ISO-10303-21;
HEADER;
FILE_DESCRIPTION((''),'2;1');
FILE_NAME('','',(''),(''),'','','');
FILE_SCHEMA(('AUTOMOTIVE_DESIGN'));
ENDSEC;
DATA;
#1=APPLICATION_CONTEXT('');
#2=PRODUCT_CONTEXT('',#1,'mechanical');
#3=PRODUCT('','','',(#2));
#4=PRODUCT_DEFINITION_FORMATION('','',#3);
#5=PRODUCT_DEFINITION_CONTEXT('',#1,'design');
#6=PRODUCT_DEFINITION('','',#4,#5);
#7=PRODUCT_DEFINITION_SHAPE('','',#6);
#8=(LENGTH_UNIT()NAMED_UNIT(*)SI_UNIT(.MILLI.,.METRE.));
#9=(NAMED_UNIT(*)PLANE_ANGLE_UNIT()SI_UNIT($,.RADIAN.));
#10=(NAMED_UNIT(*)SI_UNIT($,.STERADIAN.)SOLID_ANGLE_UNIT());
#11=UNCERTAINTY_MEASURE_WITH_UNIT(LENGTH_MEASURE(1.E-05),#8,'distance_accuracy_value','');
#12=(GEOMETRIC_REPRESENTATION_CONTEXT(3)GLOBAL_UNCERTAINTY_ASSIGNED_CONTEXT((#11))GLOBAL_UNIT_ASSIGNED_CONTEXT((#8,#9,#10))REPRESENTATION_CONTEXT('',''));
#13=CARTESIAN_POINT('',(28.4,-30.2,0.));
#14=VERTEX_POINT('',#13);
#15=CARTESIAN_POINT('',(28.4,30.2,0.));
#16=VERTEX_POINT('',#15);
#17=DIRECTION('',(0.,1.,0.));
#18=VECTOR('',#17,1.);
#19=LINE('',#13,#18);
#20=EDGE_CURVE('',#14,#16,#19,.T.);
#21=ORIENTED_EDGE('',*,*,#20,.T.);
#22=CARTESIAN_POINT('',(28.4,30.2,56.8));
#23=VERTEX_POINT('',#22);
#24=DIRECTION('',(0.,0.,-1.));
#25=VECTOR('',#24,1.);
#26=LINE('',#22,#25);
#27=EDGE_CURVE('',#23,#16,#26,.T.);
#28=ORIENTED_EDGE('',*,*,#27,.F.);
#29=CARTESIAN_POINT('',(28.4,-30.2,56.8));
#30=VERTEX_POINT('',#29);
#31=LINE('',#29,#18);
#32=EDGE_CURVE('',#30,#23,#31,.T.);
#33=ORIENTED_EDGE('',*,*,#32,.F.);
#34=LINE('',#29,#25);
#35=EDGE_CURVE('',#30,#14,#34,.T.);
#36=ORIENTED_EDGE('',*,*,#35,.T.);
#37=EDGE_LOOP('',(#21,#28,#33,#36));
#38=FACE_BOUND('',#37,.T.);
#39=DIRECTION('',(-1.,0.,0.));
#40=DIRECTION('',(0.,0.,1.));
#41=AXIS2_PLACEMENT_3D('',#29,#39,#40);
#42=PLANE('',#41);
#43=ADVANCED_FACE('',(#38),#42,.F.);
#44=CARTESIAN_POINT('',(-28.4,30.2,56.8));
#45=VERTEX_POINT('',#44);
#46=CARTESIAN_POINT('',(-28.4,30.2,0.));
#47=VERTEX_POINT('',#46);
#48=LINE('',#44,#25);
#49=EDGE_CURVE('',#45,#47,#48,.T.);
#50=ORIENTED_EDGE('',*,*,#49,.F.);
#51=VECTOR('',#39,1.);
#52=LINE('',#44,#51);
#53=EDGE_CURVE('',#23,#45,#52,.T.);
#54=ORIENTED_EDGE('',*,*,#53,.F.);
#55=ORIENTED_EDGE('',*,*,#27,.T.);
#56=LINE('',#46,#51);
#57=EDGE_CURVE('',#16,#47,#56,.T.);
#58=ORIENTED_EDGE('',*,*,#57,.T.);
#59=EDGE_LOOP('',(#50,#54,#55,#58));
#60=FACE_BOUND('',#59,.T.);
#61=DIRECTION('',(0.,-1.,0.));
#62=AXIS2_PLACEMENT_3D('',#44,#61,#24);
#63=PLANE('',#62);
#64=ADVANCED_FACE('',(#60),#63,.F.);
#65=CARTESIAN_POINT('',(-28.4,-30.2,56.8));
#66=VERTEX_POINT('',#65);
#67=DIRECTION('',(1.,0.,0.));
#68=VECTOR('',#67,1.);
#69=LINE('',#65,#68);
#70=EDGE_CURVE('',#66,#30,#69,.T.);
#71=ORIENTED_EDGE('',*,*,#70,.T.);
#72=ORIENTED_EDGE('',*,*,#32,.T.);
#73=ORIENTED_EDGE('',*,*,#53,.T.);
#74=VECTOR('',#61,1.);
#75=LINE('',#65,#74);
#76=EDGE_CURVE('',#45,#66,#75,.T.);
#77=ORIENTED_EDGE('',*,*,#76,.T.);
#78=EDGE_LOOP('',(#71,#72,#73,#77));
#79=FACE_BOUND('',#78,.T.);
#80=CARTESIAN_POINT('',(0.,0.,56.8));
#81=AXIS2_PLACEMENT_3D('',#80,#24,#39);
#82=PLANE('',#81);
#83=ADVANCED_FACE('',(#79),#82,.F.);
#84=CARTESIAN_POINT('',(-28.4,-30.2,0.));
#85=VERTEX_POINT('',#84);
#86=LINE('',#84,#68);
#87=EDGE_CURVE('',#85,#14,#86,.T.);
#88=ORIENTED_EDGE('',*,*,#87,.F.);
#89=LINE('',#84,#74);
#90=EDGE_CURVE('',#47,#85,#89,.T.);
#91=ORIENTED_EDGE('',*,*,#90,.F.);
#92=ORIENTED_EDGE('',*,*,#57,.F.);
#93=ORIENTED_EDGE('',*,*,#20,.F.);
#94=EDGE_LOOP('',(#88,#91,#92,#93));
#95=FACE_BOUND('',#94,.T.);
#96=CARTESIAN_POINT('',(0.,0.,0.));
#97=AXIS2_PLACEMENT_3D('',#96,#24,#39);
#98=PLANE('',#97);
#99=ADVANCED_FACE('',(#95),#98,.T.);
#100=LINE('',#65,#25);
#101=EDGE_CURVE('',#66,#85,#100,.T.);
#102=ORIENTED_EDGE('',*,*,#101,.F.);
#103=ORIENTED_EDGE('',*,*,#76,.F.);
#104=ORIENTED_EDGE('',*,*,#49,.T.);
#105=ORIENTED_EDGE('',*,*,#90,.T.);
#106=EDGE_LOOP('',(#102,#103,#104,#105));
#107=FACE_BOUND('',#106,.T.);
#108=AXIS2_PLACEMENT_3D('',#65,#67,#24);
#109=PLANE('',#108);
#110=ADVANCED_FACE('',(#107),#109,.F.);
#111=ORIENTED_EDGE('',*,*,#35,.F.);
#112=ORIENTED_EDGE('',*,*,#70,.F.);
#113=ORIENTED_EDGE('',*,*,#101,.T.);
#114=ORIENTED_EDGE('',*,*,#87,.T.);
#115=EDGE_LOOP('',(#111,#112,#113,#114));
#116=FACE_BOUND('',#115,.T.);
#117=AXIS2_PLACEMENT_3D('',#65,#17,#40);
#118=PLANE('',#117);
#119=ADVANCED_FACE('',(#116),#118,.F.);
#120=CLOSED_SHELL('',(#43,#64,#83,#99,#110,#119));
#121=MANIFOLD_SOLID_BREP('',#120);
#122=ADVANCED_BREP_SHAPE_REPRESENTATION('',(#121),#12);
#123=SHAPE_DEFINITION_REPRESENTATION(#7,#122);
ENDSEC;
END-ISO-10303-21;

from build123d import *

# Parameters (mm, degrees)
SKETCH1_W      = 56.8
SKETCH1_H      = 60.4
ENVELOPE_DEPTH = 56.8


with BuildPart() as part:
    # Sketch1 → Envelope (new body)
    with BuildSketch(Plane.XY):
        Rectangle(SKETCH1_W, SKETCH1_H)
    extrude(amount=ENVELOPE_DEPTH)


solid = part.part
